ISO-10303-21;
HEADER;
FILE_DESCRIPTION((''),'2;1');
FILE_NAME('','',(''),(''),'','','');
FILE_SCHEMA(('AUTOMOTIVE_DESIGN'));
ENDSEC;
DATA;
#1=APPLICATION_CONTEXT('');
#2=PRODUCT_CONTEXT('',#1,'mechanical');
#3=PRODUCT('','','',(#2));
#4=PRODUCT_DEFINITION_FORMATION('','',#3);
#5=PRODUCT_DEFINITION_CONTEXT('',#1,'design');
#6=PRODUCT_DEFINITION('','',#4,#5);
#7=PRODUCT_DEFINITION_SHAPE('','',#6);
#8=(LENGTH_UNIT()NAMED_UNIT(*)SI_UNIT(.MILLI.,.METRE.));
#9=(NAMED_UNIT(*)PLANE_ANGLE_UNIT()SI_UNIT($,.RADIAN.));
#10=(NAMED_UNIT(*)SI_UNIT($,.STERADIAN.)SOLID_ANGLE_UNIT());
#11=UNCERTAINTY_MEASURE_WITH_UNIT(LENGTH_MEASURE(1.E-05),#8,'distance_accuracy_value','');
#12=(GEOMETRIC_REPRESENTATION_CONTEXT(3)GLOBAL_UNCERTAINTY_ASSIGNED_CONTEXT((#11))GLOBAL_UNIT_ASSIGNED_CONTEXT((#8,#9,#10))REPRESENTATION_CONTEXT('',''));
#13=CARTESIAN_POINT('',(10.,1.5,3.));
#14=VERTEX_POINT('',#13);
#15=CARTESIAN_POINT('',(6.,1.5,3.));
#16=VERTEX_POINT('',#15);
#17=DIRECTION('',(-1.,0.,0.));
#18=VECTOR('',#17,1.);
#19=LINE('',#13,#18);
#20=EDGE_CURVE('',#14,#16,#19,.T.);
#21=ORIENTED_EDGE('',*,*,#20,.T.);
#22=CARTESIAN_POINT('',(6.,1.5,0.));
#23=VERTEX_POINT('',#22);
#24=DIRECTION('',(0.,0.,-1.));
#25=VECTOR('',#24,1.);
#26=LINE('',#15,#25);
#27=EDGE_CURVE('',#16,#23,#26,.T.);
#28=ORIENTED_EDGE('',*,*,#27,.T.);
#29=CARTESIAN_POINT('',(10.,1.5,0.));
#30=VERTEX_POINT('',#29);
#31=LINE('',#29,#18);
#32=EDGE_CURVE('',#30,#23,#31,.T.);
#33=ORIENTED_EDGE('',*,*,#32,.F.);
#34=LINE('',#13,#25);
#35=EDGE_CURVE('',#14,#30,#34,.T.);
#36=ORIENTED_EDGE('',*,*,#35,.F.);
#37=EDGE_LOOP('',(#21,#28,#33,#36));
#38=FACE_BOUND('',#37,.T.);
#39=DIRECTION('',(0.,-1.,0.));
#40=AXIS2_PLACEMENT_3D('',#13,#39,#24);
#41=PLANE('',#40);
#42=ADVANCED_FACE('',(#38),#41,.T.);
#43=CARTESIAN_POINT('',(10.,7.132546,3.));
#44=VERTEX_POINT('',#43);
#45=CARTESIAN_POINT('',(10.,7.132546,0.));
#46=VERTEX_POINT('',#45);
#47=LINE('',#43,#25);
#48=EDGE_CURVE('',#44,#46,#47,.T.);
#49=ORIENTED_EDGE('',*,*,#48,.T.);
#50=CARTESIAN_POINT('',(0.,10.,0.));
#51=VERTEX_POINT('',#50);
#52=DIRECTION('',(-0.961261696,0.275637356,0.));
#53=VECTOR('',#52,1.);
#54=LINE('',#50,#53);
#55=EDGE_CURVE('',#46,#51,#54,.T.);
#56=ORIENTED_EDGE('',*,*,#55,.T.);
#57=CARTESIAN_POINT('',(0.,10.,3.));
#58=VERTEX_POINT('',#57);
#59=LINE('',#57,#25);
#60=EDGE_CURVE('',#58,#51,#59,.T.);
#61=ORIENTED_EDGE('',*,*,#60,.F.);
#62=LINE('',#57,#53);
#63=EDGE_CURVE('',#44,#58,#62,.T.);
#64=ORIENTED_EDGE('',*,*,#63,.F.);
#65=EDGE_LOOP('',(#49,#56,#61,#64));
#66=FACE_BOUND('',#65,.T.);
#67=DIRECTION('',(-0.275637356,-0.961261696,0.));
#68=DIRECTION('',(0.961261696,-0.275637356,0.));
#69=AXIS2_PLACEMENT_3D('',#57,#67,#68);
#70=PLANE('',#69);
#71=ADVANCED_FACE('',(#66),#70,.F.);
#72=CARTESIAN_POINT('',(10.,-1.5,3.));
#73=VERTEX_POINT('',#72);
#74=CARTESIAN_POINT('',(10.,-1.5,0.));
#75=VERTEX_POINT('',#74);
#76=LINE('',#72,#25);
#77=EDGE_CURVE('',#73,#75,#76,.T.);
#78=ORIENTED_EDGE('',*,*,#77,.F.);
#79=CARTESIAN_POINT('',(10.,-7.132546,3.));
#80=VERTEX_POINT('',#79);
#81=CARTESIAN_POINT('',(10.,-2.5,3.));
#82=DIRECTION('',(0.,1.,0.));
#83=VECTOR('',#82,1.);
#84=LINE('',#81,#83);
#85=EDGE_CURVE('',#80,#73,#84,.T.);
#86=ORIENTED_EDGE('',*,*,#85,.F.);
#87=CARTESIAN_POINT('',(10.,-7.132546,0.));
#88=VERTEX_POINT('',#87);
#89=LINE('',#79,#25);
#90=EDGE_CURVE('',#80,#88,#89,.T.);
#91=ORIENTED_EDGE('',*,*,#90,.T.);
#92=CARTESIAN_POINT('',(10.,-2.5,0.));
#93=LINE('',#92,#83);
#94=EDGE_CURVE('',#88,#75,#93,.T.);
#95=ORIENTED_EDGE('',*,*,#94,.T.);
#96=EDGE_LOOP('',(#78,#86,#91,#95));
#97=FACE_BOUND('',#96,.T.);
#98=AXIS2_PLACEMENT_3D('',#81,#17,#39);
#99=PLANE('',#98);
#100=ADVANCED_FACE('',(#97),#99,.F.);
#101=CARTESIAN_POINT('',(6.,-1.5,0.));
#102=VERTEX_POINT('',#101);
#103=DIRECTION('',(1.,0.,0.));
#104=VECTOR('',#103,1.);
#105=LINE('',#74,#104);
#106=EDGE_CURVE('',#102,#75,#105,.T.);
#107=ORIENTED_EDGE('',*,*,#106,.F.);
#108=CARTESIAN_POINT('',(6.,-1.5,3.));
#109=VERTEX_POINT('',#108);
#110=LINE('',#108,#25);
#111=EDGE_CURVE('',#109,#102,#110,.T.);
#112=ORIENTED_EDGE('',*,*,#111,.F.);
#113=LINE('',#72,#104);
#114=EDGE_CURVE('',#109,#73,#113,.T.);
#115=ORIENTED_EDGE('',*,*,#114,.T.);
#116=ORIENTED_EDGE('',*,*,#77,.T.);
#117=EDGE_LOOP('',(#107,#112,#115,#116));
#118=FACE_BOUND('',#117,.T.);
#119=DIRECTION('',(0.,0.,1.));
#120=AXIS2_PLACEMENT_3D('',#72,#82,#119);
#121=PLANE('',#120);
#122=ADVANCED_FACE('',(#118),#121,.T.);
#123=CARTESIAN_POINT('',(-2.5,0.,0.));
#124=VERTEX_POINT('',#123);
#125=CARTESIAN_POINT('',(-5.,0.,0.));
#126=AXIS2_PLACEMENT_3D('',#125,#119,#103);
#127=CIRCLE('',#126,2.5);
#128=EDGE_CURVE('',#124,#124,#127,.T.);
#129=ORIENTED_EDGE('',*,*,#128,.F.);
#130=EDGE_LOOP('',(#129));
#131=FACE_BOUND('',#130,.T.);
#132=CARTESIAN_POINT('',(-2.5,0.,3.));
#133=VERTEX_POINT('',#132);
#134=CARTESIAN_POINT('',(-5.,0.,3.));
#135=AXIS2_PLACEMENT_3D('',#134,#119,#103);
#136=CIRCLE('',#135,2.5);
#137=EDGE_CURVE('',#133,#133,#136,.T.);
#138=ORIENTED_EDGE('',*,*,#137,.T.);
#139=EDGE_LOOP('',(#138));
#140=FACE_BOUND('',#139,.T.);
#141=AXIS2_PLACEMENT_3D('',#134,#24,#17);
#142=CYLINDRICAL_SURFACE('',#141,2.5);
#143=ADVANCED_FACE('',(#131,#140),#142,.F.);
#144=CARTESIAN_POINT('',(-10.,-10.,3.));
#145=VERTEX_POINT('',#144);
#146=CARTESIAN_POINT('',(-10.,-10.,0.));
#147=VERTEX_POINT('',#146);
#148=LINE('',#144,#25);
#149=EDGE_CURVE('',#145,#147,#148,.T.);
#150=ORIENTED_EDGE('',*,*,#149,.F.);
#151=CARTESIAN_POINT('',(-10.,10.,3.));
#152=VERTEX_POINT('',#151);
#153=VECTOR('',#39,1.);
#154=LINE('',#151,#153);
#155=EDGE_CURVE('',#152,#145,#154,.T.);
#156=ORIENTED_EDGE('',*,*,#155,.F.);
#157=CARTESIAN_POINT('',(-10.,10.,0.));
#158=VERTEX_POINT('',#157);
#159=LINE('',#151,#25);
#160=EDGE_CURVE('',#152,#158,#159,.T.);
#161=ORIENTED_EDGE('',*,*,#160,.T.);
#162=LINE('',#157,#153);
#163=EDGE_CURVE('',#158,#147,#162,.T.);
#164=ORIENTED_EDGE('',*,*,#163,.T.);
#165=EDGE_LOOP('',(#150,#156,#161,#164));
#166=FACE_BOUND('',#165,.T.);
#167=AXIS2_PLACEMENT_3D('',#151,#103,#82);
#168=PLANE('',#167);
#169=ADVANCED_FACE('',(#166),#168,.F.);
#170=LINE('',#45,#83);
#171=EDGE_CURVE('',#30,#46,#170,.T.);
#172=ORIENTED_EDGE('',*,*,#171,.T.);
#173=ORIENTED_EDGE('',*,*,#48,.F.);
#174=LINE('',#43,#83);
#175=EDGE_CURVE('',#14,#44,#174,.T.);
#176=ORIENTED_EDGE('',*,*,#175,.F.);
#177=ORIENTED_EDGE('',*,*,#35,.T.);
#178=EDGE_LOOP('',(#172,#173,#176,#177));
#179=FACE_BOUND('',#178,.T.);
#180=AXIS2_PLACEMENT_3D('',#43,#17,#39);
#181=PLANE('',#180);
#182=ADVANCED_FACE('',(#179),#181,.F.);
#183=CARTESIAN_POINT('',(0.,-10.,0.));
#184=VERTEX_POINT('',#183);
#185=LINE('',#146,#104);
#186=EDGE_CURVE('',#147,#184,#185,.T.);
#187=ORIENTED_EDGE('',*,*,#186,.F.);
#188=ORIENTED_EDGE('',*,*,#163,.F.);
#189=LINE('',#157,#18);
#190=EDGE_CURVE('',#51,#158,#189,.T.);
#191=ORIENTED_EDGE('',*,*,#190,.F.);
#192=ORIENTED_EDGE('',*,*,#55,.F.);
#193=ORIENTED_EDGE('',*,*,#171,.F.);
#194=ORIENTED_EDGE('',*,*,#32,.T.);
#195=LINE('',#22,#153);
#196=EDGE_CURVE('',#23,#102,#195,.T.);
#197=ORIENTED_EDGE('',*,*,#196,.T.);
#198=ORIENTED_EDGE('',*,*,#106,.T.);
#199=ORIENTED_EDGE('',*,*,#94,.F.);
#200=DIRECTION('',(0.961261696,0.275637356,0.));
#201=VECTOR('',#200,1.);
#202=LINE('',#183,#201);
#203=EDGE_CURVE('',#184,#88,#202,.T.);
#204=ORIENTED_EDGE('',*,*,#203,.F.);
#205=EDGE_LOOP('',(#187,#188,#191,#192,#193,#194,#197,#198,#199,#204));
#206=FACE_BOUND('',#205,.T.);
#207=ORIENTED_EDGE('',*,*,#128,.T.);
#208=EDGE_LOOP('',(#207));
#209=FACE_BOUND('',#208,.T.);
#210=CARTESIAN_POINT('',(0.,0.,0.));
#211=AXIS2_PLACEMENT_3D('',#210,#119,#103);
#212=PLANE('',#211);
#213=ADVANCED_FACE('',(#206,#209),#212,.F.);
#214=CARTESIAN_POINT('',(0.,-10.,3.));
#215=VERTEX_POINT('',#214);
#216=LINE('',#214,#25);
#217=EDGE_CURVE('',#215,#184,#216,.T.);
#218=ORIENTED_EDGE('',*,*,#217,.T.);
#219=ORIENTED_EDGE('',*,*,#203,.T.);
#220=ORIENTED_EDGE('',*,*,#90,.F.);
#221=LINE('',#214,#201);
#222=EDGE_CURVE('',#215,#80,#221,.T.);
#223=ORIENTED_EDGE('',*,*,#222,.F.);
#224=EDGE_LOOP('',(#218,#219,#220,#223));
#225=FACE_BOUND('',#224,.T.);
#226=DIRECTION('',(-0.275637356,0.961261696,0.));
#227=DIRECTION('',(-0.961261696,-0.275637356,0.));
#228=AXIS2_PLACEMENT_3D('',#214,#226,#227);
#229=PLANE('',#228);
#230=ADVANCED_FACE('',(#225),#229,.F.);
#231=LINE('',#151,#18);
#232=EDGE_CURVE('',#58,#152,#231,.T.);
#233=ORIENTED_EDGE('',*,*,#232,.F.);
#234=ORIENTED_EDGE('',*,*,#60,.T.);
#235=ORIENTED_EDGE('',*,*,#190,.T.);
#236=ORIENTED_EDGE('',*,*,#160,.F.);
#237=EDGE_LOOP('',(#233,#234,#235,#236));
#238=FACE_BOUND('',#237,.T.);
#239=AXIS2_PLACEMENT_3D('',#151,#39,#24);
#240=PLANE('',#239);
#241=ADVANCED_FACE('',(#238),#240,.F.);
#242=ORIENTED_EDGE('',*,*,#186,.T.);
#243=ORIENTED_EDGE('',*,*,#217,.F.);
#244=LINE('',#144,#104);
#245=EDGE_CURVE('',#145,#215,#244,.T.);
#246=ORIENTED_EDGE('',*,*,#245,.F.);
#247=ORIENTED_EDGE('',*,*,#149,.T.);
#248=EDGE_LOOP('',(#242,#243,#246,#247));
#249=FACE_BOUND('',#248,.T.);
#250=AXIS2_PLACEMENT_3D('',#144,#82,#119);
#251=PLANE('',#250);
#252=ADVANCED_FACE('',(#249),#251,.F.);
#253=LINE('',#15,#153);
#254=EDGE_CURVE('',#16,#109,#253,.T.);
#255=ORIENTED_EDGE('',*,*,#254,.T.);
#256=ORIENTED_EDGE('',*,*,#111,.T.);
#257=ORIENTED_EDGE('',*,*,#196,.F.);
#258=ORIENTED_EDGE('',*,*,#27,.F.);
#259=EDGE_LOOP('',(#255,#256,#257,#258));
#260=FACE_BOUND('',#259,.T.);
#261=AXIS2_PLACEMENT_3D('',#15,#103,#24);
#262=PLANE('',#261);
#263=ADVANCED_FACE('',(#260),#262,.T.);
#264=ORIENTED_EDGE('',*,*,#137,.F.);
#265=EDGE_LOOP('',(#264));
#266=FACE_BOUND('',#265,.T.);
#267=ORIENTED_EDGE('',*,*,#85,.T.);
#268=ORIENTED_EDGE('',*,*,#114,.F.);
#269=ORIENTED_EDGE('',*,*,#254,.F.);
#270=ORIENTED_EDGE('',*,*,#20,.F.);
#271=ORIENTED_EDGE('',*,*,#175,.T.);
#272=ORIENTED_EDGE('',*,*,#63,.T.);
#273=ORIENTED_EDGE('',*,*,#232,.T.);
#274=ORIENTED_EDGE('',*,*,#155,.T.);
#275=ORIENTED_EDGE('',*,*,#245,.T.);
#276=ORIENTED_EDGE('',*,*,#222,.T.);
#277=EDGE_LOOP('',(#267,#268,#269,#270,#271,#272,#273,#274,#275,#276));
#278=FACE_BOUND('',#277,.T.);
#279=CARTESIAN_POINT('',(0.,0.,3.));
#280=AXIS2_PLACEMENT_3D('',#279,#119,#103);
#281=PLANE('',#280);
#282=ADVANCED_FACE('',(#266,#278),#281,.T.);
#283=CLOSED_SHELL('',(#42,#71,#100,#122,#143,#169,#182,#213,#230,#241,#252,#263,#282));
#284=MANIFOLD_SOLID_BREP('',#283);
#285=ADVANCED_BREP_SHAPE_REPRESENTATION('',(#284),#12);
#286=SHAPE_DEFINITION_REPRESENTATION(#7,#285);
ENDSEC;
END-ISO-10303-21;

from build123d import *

# Parameters (mm, degrees)
SKETCH1_R           = 2.5
BOSS_EXTRUDE1_DEPTH = 3
SKETCH2_W           = 5
SKETCH2_H           = 1
BOSS_EXTRUDE2_DEPTH = 3
SKETCH3_W           = 1
SKETCH3_H           = 3
BOSS_EXTRUDE3_DEPTH = 3


with BuildPart() as part:
    # Sketch1 → Boss-Extrude1 (new body)
    with BuildSketch(Plane.XY):
        Polygon((0, 10), (10, 7.132546142), (10, 2.5), (5, 2.5), (5, -2.5), (10, -2.5), (10, -7.132546142), (0, -10), (-10, -10), (-10, 10), align=None)
        with Locations((-5, 0)):
            Circle(SKETCH1_R, mode=Mode.SUBTRACT)
    extrude(amount=BOSS_EXTRUDE1_DEPTH)

    # Sketch2 → Boss-Extrude2 (add)
    with BuildSketch(Plane(origin=(0, 0, 0), x_dir=(-1, 0, 0), z_dir=(0, 0, -1))):
        with Locations((-7.5, 2)):
            Rectangle(SKETCH2_W, SKETCH2_H)
        with Locations((-7.5, -2)):
            Rectangle(SKETCH2_W, SKETCH2_H)
    extrude(amount=-BOSS_EXTRUDE2_DEPTH)

    # Sketch3 → Boss-Extrude3 (add)
    with BuildSketch(Plane(origin=(0, 0, 0), x_dir=(-1, 0, 0), z_dir=(0, 0, -1))):
        with Locations((-5.5, 0)):
            Rectangle(SKETCH3_W, SKETCH3_H)
    extrude(amount=-BOSS_EXTRUDE3_DEPTH)


solid = part.part
